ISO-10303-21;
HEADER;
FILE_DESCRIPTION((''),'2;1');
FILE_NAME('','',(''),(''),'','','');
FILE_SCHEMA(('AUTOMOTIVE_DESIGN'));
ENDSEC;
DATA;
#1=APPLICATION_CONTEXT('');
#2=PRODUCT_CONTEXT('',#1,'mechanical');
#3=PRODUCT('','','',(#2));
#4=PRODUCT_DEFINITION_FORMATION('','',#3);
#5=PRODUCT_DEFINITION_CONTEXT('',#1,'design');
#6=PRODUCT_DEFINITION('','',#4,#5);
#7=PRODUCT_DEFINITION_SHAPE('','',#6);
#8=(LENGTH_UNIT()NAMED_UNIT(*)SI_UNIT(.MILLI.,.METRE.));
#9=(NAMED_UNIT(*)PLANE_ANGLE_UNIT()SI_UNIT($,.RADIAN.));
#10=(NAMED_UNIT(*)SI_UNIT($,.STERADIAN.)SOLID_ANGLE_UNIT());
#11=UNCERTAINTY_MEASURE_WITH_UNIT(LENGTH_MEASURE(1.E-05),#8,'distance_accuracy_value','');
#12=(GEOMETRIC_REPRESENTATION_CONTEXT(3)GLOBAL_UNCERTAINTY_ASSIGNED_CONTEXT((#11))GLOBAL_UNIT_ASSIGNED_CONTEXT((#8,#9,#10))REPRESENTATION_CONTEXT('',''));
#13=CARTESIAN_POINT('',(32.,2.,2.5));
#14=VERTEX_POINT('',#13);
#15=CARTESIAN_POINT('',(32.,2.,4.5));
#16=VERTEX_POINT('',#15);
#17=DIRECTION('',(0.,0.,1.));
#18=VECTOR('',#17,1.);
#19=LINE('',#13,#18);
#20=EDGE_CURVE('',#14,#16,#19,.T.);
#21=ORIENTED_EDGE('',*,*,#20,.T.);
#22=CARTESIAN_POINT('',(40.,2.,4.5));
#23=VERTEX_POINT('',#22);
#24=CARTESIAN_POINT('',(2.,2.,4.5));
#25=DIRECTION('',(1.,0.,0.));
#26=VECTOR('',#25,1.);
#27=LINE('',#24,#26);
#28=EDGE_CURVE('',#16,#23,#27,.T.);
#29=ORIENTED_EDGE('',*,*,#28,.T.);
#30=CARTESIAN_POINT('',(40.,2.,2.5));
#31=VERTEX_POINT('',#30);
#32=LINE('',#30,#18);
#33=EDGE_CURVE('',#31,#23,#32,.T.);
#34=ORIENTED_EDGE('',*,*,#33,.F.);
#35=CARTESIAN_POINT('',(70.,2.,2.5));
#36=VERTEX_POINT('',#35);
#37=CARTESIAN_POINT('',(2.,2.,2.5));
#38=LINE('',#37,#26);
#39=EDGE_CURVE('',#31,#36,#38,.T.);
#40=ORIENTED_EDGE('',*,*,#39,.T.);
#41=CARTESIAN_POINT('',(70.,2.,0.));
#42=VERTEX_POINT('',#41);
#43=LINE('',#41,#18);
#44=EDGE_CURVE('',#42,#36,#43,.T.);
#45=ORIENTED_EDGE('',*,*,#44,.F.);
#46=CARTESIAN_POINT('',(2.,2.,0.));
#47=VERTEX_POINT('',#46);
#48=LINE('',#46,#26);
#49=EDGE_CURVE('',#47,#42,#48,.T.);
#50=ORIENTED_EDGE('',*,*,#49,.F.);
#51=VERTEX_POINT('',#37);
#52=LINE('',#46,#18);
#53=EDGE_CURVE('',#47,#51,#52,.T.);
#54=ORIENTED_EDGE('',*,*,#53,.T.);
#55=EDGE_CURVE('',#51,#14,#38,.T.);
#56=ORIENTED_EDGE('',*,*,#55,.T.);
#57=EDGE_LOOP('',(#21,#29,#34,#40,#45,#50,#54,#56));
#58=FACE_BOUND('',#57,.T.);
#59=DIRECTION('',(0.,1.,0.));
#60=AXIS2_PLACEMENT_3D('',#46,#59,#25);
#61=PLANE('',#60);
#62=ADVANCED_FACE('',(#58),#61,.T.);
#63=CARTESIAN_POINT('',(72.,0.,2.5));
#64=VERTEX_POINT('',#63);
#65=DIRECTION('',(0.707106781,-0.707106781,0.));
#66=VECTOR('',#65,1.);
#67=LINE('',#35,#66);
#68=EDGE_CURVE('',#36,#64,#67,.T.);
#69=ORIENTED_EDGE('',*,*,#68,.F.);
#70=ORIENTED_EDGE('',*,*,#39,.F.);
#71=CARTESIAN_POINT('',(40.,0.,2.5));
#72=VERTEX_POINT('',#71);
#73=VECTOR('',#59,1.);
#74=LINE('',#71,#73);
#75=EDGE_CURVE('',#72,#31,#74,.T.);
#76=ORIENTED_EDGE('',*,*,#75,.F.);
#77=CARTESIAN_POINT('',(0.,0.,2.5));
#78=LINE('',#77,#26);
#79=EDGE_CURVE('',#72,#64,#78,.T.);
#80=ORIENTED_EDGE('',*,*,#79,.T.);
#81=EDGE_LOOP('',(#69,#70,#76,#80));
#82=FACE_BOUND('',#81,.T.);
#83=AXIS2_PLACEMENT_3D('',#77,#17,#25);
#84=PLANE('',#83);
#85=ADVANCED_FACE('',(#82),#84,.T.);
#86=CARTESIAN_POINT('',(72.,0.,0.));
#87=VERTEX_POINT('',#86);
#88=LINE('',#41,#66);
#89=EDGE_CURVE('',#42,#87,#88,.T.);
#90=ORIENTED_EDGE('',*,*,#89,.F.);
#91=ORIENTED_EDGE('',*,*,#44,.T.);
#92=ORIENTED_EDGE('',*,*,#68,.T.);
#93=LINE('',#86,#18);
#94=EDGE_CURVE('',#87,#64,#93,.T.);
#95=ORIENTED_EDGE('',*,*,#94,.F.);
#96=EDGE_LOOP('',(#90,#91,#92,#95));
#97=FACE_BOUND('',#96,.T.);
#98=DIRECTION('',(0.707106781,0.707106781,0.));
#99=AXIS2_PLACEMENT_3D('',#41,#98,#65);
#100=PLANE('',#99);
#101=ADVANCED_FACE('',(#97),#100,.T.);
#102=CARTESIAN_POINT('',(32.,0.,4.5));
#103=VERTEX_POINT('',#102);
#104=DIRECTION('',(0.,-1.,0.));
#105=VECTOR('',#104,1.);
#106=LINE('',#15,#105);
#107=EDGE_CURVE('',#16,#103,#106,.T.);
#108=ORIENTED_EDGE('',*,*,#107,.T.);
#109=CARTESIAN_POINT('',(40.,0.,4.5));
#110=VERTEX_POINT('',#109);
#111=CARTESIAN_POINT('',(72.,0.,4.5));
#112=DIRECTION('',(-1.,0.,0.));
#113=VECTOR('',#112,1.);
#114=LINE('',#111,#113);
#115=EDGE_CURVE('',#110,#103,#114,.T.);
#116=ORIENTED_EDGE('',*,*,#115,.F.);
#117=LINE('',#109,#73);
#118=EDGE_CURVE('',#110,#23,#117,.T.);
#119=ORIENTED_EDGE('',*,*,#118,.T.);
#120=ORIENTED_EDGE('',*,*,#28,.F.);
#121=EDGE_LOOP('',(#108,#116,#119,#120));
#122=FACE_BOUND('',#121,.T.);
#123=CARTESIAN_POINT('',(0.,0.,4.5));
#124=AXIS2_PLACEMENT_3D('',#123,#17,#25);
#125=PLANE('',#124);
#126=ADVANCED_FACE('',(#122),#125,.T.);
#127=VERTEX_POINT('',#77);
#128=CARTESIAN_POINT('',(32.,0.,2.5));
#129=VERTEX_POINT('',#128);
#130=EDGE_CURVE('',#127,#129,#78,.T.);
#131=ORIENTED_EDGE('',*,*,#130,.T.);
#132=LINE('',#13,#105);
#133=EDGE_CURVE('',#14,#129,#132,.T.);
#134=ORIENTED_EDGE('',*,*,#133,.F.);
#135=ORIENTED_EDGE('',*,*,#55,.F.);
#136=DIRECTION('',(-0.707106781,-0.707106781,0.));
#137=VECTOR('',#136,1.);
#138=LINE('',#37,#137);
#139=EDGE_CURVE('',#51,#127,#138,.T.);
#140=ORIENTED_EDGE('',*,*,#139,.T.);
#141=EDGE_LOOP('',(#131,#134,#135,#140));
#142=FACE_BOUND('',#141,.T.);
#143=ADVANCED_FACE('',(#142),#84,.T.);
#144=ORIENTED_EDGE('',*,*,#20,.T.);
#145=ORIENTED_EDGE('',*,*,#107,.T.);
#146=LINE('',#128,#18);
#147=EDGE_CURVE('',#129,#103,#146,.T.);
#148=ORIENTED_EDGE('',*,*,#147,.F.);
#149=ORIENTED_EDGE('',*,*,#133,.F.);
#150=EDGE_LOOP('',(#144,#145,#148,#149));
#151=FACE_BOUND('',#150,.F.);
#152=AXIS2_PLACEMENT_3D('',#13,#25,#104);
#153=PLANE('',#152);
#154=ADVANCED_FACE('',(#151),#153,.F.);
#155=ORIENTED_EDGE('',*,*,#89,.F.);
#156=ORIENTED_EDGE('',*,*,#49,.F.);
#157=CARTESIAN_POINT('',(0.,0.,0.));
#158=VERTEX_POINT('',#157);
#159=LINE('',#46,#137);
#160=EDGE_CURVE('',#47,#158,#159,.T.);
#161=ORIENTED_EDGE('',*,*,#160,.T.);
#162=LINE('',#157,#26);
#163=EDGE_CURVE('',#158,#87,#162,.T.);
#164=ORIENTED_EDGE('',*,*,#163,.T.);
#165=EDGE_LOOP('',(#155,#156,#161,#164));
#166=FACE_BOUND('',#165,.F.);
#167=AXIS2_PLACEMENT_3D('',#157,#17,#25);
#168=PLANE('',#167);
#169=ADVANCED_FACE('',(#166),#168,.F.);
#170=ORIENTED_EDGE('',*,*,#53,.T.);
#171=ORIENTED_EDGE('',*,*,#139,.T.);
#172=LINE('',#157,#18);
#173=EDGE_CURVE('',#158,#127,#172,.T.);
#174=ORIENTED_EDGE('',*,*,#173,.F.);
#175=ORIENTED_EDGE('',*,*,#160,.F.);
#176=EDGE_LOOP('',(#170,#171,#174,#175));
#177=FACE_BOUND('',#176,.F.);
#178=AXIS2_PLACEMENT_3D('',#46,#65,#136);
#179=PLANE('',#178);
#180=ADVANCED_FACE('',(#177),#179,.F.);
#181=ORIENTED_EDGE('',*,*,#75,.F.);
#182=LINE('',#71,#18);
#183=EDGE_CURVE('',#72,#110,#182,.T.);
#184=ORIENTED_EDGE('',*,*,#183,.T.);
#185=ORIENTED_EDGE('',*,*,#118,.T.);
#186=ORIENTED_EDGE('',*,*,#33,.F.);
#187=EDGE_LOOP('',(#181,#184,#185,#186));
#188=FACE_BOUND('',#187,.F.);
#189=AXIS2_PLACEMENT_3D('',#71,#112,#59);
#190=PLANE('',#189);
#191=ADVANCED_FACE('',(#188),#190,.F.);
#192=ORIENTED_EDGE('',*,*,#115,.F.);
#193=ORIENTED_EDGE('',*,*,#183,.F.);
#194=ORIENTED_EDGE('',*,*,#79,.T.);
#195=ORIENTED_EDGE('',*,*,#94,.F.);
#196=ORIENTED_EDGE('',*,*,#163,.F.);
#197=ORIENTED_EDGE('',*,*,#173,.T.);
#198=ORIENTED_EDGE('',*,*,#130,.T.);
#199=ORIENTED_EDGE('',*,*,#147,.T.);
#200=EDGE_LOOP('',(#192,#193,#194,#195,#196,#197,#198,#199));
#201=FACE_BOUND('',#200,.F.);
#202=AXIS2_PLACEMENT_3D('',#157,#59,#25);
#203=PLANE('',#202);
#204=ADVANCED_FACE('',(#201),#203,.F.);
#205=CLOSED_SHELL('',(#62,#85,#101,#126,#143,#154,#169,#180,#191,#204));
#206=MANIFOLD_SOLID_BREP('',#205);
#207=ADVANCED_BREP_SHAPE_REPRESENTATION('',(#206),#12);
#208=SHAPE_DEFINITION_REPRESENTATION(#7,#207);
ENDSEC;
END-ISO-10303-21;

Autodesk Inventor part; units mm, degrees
ref_plane "YZ Plane" through (0, 0, 0) normal (1, 0, 0) x (0, 1, 0)
ref_plane "XZ Plane" through (0, 0, 0) normal (0, 1, 0) x (-1, 0, 0)
ref_plane "XY Plane" through (0, 0, 0) normal (0, 0, 1) x (1, 0, 0)
sketch "Boceto1" plane through (0, 0, 0) normal (0, 0, 1) x (1, 0, 0)
  line L0 (0, 0) -> (72, 0)
  line L1 (2, 2) -> (0, 0)
  line L2 (2, 2) -> (70, 2)
  line L3 (70, 2) -> (72, 0)
  dimension "d0" = 72
  dimension "d1" = 68
extrude "Extrusión1" add sketch "Boceto1" along normal blind 2.5
sketch "Boceto2" plane through (0, 0, 2.5) normal (0, 0, 1) x (1, 0, 0)
  line L0 (72, 0) -> (0, 0) projected
  line L1 (2, 2) -> (70, 2) projected
  line L2 (32, 0) -> (40, 0)
  line L3 (40, 0) -> (40, 2)
  line L4 (40, 2) -> (32, 2)
  line L5 (32, 2) -> (32, 0)
  dimension "d4" = 8
extrude "Extrusión2" add sketch "Boceto2" along normal blind 2
equation "\"Radio_pliegue\" = Grosor"
equation "\"Anchura_desahogo_plegado\" = Grosor"
equation "\"Profundidad_desahogo_plegado\" = 0.5 * Grosor"
equation "\"Tamaño_destalonado\" = 4 * Grosor"
equation "\"Remanente_mínimo\" = 2 * Grosor"
equation "\"Radiodetransición\" = Radio_pliegue"
equation "\"Tamaño_de_radio_de_Jacobi\" = Radio_pliegue"
equation "\"TamañoSeparación\" = Grosor"
equation "\"Grosor\" = 0.5"
properties part number "Rail" material "Por defecto"
